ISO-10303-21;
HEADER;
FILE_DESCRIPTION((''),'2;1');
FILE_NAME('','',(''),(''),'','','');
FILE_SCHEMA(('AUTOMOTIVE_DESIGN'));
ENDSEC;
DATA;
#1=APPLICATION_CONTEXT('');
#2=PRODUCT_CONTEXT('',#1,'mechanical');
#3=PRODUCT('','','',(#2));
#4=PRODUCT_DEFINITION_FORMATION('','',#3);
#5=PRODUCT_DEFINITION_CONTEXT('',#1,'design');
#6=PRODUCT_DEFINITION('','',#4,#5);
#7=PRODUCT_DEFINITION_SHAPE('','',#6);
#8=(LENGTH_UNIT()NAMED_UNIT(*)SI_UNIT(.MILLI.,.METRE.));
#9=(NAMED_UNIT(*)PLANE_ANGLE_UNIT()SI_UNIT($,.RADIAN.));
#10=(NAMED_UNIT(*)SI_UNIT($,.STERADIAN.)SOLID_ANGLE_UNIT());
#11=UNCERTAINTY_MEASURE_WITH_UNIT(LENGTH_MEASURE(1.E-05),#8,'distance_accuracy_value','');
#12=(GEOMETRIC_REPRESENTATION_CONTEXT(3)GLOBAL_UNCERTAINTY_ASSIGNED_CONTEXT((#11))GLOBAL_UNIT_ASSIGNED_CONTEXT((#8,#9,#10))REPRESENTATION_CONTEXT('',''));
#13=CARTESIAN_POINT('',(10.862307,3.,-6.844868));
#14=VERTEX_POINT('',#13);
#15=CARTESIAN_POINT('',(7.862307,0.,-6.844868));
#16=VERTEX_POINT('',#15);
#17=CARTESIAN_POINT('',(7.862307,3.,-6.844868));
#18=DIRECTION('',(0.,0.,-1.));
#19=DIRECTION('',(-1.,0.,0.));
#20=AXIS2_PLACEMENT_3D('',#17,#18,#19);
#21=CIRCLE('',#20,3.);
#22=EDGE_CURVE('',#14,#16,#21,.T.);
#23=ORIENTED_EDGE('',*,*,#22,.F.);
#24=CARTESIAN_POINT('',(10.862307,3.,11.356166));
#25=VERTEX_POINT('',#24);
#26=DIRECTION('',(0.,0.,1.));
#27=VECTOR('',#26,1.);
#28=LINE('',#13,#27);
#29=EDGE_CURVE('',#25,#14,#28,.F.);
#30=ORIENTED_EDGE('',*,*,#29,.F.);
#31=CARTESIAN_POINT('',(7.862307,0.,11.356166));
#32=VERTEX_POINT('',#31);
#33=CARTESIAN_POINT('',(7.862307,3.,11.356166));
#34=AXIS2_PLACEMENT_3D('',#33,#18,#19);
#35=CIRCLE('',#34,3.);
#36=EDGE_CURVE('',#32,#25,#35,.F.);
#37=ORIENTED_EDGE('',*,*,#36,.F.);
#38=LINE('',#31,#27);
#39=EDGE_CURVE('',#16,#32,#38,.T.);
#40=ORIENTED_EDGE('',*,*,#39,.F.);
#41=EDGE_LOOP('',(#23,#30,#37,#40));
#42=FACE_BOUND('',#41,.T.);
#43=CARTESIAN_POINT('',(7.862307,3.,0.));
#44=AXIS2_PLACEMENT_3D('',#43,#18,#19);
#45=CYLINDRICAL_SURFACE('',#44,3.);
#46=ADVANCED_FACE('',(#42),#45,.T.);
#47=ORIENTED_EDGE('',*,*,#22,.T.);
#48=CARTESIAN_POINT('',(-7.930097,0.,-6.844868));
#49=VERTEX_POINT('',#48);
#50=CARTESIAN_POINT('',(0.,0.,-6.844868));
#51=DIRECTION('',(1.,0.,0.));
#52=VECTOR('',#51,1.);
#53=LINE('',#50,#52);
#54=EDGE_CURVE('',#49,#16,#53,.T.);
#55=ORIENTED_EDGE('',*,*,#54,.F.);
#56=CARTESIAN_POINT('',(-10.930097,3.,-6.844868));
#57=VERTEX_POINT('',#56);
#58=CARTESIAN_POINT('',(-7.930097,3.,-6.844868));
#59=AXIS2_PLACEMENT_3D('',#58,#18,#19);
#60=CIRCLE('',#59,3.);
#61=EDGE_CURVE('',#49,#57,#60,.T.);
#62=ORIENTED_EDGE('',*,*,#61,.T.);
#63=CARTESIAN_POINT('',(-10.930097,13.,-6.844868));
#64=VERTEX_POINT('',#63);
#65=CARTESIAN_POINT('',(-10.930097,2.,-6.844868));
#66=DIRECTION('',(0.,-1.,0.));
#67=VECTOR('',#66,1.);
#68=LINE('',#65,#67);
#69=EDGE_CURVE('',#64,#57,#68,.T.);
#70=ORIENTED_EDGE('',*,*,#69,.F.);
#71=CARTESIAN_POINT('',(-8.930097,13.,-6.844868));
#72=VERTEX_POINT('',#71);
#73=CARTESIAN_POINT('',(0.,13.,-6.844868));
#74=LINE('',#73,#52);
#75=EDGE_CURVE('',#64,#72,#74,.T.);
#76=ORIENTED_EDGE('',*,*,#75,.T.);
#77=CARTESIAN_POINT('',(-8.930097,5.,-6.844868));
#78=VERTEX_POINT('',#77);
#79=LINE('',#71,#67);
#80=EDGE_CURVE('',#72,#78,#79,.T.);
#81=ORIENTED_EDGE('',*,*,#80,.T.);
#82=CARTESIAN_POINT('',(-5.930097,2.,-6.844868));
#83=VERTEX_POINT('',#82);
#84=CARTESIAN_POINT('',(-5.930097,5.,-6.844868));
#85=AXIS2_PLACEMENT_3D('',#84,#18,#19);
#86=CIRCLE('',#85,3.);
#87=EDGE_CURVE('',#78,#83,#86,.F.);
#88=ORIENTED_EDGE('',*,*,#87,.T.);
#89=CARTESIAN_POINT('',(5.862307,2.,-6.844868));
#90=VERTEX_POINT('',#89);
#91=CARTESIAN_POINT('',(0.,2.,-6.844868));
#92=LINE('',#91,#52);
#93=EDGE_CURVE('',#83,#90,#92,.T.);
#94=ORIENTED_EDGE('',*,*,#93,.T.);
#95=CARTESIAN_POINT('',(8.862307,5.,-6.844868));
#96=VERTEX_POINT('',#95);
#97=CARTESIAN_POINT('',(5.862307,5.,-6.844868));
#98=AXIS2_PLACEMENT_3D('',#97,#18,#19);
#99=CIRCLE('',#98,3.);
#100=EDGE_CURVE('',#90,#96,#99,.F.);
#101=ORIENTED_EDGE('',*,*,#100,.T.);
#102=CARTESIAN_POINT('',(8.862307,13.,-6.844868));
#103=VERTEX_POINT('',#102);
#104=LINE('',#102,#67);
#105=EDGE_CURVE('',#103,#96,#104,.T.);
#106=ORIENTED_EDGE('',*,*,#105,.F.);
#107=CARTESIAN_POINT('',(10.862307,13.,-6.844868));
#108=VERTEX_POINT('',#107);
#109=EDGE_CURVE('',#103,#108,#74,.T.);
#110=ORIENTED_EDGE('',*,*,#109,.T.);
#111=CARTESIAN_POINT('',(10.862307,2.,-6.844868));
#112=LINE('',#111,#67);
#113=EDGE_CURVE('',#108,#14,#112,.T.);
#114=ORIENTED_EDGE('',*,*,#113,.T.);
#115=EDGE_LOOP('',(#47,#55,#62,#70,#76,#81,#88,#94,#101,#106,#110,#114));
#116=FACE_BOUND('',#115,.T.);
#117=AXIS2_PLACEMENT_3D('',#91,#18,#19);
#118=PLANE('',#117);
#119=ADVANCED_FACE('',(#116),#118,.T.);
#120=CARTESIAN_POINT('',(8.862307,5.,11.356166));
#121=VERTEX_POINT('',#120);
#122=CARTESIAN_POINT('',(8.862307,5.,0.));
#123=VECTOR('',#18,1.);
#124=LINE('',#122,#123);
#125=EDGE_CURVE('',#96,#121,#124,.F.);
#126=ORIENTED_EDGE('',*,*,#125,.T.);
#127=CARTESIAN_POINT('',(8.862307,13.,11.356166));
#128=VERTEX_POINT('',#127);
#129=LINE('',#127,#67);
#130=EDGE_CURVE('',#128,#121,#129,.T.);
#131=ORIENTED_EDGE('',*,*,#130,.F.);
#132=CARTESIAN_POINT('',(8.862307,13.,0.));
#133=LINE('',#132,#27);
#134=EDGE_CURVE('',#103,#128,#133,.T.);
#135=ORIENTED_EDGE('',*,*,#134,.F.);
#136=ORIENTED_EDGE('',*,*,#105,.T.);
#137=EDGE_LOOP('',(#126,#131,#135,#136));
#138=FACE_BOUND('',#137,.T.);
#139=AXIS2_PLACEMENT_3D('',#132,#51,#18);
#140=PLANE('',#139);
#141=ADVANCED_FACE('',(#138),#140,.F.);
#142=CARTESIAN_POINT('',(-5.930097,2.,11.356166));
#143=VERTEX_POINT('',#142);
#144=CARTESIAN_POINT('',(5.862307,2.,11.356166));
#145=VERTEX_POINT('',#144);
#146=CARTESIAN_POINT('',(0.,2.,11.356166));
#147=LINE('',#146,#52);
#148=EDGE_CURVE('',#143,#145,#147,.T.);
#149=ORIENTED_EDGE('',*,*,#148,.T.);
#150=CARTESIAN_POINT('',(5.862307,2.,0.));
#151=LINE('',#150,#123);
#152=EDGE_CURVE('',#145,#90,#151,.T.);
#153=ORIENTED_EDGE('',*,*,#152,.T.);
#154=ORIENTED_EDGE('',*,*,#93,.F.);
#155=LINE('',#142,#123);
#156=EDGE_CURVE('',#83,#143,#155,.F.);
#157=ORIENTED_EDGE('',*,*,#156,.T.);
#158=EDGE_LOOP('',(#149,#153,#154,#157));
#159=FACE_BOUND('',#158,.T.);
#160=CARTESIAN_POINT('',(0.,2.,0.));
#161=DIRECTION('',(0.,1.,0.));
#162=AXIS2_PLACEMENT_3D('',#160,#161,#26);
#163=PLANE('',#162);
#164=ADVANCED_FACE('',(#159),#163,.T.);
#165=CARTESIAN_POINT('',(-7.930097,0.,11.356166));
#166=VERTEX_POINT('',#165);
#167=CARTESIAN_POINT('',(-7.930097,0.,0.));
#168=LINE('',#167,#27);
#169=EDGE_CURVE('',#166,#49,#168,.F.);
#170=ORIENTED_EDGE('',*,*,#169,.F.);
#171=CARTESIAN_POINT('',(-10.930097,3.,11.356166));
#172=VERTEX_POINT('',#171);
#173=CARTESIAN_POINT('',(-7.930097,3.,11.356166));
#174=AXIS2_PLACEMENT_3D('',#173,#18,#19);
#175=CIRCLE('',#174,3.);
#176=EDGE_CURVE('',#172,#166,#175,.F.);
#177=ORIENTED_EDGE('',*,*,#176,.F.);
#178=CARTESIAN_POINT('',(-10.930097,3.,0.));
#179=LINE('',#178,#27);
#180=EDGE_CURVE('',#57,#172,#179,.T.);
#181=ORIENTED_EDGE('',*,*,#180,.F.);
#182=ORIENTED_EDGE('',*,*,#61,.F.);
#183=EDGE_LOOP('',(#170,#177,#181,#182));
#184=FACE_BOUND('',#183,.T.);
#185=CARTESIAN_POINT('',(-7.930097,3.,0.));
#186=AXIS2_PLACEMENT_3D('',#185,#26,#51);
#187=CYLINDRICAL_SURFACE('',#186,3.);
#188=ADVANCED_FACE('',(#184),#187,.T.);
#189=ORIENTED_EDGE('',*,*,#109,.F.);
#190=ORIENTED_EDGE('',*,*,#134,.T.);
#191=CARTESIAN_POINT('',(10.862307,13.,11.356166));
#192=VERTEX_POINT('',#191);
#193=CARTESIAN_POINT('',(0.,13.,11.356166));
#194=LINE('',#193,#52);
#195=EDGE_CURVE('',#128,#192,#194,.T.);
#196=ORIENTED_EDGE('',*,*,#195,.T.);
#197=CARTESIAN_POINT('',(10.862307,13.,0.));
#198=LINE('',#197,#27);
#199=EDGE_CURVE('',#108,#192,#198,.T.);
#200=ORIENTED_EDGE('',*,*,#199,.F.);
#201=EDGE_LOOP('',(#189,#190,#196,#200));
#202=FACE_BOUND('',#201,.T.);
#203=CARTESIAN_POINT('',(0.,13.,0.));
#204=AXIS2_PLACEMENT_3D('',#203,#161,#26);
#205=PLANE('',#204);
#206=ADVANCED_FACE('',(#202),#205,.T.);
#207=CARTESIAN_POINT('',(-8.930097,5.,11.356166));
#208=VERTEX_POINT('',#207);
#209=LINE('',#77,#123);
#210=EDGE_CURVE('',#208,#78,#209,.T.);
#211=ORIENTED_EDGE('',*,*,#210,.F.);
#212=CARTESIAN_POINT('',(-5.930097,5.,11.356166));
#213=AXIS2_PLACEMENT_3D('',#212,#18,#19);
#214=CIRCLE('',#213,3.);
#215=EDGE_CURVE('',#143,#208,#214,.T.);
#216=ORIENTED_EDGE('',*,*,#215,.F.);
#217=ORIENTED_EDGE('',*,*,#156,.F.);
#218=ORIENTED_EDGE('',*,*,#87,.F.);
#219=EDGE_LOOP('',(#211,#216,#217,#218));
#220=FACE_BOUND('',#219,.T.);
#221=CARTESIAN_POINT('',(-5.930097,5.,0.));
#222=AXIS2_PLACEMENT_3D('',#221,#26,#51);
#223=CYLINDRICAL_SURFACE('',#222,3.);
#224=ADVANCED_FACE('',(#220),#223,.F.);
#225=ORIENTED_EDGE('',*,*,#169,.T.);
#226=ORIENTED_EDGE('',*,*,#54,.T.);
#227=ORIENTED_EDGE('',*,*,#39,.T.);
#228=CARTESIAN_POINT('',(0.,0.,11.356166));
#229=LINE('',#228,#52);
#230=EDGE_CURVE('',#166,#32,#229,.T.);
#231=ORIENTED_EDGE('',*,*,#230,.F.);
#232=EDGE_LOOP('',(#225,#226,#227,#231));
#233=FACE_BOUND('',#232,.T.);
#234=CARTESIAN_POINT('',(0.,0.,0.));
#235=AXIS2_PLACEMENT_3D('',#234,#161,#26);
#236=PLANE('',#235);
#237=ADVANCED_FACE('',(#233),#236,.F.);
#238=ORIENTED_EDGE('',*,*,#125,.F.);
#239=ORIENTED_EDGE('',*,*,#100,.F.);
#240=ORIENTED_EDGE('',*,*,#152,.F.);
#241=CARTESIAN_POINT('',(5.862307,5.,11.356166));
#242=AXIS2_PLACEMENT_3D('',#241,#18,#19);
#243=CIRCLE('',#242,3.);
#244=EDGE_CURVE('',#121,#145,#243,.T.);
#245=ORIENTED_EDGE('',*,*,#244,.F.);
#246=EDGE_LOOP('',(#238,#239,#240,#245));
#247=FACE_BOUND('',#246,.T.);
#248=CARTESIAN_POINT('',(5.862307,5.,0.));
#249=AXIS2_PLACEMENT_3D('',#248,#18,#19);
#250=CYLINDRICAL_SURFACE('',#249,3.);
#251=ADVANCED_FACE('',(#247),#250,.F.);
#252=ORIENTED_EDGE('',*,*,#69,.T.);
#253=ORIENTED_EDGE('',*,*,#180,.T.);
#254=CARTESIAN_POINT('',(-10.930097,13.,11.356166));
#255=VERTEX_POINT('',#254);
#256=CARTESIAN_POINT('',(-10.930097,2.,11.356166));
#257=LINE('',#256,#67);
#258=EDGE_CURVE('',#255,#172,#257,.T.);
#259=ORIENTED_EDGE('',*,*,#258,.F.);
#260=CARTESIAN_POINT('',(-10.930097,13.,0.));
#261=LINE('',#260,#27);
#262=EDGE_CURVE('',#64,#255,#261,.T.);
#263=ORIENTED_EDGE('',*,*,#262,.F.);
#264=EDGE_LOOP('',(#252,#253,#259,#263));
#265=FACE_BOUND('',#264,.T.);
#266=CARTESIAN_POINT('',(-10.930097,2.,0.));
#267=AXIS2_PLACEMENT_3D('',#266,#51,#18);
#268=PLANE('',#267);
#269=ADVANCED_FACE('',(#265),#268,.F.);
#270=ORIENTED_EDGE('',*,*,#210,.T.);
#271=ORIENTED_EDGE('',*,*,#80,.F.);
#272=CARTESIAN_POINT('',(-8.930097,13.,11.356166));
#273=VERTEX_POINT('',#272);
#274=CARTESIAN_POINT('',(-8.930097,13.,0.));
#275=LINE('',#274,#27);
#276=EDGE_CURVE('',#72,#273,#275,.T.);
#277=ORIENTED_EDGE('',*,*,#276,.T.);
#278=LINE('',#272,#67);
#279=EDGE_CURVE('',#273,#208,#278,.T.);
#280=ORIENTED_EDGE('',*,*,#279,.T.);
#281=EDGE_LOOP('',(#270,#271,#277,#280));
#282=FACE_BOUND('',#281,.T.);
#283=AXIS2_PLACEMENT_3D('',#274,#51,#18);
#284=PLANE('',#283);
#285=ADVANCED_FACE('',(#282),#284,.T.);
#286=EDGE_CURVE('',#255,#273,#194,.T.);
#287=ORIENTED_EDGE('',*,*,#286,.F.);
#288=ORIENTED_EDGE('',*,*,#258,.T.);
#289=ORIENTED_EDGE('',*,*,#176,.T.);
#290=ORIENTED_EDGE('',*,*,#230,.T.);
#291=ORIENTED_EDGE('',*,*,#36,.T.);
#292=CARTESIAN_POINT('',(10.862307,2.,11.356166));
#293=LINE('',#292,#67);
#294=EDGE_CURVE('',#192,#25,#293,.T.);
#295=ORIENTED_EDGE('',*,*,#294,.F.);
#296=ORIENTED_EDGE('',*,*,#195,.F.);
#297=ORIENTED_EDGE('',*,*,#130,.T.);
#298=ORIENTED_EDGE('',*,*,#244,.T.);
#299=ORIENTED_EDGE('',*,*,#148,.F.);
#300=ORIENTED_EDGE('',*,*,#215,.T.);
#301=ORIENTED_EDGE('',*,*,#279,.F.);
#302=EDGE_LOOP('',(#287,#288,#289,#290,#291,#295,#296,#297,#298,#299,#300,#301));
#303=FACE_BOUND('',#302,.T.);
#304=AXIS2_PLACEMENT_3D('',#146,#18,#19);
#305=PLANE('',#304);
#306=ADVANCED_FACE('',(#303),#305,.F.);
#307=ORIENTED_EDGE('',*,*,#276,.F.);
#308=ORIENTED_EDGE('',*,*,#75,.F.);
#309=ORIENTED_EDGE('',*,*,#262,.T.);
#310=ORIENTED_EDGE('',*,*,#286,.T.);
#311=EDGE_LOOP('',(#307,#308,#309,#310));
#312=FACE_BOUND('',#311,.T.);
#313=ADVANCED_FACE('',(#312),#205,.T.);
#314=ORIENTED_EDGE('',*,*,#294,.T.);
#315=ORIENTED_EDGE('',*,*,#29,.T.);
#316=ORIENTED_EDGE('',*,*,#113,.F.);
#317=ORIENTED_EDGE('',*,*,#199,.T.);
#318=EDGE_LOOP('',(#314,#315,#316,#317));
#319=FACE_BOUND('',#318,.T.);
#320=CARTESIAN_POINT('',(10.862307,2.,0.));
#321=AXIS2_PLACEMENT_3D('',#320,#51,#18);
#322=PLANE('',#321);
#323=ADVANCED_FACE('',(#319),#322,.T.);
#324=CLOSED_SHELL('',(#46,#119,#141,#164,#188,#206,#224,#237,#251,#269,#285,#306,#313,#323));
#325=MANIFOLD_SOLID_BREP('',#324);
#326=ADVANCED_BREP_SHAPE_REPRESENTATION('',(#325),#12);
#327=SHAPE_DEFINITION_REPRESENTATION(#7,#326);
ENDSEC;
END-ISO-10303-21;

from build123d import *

# Parameters (mm, degrees)
SKETCH1_W           = 21.792403666
SKETCH1_H           = 18.201033873
BOSS_EXTRUDE1_DEPTH = 2
SKETCH1_3_W         = 2
SKETCH1_3_H         = 18.201033873
BOSS_EXTRUDE2_DEPTH = 13
FILLET1_R           = 3


with BuildPart() as part:
    # Sketch1 → Boss-Extrude1 (new body)
    with BuildSketch(Plane(origin=(0, 0, 0), x_dir=(1, 0, 0), z_dir=(0, 1, 0))):
        with Locations((-0.033894989, -2.255649147)):
            Rectangle(SKETCH1_W, SKETCH1_H)
    extrude(amount=BOSS_EXTRUDE1_DEPTH)

    # Sketch1<3> → Boss-Extrude2 (add)
    with BuildSketch(Plane(origin=(0, 0, 0), x_dir=(1, 0, 0), z_dir=(0, 1, 0))):
        with Locations((-9.930096822, -2.255649147)):
            Rectangle(SKETCH1_3_W, SKETCH1_3_H)
        with Locations((9.862306844, -2.255649147)):
            Rectangle(SKETCH1_3_W, SKETCH1_3_H)
    extrude(amount=BOSS_EXTRUDE2_DEPTH)

    # Fillet1
    fillet1_edges = [part.edges().sort_by_distance(p)[0] for p in [
        (-10.930096822, 0, 2.255649147),
        (10.862306844, 0, 2.255649147),
        (-8.930096822, 2, 2.255649147),
        (8.862306844, 2, 2.255649147),
    ]]
    fillet(fillet1_edges, radius=FILLET1_R)


solid = part.part
